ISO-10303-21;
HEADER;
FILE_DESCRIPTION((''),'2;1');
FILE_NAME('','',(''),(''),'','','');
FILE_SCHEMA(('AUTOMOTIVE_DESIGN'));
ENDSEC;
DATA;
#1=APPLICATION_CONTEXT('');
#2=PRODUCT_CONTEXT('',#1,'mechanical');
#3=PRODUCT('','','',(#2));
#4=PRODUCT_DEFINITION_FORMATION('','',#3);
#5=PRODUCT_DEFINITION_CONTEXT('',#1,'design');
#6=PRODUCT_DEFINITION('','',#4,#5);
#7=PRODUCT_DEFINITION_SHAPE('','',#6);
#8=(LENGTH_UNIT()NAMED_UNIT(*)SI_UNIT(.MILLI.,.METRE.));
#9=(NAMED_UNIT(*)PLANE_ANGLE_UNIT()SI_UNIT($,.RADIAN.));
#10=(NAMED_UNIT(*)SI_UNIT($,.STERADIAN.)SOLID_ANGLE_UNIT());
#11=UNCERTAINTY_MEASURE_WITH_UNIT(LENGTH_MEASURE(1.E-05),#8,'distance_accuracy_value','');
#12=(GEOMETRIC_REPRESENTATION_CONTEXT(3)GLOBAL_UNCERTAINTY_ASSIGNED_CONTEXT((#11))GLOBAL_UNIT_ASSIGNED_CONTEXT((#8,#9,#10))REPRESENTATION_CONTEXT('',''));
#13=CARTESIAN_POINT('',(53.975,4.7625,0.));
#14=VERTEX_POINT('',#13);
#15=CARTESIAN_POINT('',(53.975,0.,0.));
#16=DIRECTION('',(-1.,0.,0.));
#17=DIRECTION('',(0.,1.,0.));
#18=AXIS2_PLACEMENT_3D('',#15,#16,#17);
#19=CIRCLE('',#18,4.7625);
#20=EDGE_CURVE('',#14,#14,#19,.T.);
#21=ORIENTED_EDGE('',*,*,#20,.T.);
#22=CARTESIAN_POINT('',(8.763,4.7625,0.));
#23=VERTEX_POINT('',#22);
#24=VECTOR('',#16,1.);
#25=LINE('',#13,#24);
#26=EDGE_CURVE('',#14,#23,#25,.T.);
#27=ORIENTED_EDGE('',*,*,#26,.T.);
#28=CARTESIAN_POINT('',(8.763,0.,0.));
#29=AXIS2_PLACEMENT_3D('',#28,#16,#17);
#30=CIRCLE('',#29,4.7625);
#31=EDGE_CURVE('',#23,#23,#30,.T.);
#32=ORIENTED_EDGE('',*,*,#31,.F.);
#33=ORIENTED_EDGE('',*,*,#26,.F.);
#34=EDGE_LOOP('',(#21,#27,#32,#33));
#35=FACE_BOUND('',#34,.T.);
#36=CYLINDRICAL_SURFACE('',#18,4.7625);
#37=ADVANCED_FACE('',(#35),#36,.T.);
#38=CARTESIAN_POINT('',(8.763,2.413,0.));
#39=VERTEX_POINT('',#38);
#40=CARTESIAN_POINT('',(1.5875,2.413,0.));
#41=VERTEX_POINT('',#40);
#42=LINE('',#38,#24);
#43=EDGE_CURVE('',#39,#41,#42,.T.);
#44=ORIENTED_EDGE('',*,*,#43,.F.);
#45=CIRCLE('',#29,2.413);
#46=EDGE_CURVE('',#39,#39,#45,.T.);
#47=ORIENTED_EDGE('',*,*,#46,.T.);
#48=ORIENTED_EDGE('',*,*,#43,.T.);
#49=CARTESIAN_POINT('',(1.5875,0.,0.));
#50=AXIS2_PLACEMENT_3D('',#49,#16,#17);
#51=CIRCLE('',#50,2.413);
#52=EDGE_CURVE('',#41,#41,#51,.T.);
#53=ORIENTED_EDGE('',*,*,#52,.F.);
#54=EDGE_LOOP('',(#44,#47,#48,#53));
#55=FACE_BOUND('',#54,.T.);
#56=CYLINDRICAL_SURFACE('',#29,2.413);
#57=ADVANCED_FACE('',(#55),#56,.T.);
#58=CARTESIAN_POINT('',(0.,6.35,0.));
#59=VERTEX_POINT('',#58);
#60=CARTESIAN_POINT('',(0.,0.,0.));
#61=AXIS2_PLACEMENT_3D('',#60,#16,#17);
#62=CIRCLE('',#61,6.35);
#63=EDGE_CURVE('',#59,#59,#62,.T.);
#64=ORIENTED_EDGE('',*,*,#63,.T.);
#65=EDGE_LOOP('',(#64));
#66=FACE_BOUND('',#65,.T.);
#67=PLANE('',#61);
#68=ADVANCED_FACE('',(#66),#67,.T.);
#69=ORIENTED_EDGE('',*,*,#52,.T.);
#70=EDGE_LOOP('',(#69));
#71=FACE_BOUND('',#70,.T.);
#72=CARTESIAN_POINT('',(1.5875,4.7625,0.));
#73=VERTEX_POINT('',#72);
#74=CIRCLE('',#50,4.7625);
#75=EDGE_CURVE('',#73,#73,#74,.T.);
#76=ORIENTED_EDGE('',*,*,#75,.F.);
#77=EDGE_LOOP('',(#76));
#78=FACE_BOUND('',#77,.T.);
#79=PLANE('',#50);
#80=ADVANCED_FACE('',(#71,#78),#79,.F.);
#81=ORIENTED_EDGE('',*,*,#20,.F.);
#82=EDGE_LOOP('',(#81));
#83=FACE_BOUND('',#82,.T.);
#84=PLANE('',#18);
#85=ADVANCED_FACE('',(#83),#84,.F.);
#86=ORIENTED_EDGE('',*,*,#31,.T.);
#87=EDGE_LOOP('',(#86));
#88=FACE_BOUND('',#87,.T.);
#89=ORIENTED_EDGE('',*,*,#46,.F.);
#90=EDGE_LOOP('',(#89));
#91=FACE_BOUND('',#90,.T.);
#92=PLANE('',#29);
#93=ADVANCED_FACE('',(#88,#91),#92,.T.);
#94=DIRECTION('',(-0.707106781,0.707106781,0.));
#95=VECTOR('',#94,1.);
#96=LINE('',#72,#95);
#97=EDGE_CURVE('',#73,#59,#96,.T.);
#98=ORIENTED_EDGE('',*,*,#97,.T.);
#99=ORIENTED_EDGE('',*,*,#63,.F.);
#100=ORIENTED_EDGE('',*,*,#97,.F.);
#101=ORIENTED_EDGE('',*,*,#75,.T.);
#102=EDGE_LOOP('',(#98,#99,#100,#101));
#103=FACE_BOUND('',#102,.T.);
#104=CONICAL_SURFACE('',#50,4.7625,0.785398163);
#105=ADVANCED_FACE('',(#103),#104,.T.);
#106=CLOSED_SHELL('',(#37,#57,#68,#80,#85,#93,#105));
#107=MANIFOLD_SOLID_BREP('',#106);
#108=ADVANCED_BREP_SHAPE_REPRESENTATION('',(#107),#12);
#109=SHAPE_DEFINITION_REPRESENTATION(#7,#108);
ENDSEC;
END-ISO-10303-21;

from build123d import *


with BuildPart() as f1:
    # F0 (on Top) → F1 (revolve)
    with BuildSketch(Plane.XY):
        Polygon((0, 6.35), (0, 0), (53.975, 0), (53.975, 4.7625), (8.763, 4.7625), (8.763, 2.413), (3.937, 2.413), (1.5875, 2.413), (1.5875, 4.7625), align=None)
    revolve(axis=Axis((-2.859524, 0, 0), (-1, 0, 0)))


solid = f1.part
